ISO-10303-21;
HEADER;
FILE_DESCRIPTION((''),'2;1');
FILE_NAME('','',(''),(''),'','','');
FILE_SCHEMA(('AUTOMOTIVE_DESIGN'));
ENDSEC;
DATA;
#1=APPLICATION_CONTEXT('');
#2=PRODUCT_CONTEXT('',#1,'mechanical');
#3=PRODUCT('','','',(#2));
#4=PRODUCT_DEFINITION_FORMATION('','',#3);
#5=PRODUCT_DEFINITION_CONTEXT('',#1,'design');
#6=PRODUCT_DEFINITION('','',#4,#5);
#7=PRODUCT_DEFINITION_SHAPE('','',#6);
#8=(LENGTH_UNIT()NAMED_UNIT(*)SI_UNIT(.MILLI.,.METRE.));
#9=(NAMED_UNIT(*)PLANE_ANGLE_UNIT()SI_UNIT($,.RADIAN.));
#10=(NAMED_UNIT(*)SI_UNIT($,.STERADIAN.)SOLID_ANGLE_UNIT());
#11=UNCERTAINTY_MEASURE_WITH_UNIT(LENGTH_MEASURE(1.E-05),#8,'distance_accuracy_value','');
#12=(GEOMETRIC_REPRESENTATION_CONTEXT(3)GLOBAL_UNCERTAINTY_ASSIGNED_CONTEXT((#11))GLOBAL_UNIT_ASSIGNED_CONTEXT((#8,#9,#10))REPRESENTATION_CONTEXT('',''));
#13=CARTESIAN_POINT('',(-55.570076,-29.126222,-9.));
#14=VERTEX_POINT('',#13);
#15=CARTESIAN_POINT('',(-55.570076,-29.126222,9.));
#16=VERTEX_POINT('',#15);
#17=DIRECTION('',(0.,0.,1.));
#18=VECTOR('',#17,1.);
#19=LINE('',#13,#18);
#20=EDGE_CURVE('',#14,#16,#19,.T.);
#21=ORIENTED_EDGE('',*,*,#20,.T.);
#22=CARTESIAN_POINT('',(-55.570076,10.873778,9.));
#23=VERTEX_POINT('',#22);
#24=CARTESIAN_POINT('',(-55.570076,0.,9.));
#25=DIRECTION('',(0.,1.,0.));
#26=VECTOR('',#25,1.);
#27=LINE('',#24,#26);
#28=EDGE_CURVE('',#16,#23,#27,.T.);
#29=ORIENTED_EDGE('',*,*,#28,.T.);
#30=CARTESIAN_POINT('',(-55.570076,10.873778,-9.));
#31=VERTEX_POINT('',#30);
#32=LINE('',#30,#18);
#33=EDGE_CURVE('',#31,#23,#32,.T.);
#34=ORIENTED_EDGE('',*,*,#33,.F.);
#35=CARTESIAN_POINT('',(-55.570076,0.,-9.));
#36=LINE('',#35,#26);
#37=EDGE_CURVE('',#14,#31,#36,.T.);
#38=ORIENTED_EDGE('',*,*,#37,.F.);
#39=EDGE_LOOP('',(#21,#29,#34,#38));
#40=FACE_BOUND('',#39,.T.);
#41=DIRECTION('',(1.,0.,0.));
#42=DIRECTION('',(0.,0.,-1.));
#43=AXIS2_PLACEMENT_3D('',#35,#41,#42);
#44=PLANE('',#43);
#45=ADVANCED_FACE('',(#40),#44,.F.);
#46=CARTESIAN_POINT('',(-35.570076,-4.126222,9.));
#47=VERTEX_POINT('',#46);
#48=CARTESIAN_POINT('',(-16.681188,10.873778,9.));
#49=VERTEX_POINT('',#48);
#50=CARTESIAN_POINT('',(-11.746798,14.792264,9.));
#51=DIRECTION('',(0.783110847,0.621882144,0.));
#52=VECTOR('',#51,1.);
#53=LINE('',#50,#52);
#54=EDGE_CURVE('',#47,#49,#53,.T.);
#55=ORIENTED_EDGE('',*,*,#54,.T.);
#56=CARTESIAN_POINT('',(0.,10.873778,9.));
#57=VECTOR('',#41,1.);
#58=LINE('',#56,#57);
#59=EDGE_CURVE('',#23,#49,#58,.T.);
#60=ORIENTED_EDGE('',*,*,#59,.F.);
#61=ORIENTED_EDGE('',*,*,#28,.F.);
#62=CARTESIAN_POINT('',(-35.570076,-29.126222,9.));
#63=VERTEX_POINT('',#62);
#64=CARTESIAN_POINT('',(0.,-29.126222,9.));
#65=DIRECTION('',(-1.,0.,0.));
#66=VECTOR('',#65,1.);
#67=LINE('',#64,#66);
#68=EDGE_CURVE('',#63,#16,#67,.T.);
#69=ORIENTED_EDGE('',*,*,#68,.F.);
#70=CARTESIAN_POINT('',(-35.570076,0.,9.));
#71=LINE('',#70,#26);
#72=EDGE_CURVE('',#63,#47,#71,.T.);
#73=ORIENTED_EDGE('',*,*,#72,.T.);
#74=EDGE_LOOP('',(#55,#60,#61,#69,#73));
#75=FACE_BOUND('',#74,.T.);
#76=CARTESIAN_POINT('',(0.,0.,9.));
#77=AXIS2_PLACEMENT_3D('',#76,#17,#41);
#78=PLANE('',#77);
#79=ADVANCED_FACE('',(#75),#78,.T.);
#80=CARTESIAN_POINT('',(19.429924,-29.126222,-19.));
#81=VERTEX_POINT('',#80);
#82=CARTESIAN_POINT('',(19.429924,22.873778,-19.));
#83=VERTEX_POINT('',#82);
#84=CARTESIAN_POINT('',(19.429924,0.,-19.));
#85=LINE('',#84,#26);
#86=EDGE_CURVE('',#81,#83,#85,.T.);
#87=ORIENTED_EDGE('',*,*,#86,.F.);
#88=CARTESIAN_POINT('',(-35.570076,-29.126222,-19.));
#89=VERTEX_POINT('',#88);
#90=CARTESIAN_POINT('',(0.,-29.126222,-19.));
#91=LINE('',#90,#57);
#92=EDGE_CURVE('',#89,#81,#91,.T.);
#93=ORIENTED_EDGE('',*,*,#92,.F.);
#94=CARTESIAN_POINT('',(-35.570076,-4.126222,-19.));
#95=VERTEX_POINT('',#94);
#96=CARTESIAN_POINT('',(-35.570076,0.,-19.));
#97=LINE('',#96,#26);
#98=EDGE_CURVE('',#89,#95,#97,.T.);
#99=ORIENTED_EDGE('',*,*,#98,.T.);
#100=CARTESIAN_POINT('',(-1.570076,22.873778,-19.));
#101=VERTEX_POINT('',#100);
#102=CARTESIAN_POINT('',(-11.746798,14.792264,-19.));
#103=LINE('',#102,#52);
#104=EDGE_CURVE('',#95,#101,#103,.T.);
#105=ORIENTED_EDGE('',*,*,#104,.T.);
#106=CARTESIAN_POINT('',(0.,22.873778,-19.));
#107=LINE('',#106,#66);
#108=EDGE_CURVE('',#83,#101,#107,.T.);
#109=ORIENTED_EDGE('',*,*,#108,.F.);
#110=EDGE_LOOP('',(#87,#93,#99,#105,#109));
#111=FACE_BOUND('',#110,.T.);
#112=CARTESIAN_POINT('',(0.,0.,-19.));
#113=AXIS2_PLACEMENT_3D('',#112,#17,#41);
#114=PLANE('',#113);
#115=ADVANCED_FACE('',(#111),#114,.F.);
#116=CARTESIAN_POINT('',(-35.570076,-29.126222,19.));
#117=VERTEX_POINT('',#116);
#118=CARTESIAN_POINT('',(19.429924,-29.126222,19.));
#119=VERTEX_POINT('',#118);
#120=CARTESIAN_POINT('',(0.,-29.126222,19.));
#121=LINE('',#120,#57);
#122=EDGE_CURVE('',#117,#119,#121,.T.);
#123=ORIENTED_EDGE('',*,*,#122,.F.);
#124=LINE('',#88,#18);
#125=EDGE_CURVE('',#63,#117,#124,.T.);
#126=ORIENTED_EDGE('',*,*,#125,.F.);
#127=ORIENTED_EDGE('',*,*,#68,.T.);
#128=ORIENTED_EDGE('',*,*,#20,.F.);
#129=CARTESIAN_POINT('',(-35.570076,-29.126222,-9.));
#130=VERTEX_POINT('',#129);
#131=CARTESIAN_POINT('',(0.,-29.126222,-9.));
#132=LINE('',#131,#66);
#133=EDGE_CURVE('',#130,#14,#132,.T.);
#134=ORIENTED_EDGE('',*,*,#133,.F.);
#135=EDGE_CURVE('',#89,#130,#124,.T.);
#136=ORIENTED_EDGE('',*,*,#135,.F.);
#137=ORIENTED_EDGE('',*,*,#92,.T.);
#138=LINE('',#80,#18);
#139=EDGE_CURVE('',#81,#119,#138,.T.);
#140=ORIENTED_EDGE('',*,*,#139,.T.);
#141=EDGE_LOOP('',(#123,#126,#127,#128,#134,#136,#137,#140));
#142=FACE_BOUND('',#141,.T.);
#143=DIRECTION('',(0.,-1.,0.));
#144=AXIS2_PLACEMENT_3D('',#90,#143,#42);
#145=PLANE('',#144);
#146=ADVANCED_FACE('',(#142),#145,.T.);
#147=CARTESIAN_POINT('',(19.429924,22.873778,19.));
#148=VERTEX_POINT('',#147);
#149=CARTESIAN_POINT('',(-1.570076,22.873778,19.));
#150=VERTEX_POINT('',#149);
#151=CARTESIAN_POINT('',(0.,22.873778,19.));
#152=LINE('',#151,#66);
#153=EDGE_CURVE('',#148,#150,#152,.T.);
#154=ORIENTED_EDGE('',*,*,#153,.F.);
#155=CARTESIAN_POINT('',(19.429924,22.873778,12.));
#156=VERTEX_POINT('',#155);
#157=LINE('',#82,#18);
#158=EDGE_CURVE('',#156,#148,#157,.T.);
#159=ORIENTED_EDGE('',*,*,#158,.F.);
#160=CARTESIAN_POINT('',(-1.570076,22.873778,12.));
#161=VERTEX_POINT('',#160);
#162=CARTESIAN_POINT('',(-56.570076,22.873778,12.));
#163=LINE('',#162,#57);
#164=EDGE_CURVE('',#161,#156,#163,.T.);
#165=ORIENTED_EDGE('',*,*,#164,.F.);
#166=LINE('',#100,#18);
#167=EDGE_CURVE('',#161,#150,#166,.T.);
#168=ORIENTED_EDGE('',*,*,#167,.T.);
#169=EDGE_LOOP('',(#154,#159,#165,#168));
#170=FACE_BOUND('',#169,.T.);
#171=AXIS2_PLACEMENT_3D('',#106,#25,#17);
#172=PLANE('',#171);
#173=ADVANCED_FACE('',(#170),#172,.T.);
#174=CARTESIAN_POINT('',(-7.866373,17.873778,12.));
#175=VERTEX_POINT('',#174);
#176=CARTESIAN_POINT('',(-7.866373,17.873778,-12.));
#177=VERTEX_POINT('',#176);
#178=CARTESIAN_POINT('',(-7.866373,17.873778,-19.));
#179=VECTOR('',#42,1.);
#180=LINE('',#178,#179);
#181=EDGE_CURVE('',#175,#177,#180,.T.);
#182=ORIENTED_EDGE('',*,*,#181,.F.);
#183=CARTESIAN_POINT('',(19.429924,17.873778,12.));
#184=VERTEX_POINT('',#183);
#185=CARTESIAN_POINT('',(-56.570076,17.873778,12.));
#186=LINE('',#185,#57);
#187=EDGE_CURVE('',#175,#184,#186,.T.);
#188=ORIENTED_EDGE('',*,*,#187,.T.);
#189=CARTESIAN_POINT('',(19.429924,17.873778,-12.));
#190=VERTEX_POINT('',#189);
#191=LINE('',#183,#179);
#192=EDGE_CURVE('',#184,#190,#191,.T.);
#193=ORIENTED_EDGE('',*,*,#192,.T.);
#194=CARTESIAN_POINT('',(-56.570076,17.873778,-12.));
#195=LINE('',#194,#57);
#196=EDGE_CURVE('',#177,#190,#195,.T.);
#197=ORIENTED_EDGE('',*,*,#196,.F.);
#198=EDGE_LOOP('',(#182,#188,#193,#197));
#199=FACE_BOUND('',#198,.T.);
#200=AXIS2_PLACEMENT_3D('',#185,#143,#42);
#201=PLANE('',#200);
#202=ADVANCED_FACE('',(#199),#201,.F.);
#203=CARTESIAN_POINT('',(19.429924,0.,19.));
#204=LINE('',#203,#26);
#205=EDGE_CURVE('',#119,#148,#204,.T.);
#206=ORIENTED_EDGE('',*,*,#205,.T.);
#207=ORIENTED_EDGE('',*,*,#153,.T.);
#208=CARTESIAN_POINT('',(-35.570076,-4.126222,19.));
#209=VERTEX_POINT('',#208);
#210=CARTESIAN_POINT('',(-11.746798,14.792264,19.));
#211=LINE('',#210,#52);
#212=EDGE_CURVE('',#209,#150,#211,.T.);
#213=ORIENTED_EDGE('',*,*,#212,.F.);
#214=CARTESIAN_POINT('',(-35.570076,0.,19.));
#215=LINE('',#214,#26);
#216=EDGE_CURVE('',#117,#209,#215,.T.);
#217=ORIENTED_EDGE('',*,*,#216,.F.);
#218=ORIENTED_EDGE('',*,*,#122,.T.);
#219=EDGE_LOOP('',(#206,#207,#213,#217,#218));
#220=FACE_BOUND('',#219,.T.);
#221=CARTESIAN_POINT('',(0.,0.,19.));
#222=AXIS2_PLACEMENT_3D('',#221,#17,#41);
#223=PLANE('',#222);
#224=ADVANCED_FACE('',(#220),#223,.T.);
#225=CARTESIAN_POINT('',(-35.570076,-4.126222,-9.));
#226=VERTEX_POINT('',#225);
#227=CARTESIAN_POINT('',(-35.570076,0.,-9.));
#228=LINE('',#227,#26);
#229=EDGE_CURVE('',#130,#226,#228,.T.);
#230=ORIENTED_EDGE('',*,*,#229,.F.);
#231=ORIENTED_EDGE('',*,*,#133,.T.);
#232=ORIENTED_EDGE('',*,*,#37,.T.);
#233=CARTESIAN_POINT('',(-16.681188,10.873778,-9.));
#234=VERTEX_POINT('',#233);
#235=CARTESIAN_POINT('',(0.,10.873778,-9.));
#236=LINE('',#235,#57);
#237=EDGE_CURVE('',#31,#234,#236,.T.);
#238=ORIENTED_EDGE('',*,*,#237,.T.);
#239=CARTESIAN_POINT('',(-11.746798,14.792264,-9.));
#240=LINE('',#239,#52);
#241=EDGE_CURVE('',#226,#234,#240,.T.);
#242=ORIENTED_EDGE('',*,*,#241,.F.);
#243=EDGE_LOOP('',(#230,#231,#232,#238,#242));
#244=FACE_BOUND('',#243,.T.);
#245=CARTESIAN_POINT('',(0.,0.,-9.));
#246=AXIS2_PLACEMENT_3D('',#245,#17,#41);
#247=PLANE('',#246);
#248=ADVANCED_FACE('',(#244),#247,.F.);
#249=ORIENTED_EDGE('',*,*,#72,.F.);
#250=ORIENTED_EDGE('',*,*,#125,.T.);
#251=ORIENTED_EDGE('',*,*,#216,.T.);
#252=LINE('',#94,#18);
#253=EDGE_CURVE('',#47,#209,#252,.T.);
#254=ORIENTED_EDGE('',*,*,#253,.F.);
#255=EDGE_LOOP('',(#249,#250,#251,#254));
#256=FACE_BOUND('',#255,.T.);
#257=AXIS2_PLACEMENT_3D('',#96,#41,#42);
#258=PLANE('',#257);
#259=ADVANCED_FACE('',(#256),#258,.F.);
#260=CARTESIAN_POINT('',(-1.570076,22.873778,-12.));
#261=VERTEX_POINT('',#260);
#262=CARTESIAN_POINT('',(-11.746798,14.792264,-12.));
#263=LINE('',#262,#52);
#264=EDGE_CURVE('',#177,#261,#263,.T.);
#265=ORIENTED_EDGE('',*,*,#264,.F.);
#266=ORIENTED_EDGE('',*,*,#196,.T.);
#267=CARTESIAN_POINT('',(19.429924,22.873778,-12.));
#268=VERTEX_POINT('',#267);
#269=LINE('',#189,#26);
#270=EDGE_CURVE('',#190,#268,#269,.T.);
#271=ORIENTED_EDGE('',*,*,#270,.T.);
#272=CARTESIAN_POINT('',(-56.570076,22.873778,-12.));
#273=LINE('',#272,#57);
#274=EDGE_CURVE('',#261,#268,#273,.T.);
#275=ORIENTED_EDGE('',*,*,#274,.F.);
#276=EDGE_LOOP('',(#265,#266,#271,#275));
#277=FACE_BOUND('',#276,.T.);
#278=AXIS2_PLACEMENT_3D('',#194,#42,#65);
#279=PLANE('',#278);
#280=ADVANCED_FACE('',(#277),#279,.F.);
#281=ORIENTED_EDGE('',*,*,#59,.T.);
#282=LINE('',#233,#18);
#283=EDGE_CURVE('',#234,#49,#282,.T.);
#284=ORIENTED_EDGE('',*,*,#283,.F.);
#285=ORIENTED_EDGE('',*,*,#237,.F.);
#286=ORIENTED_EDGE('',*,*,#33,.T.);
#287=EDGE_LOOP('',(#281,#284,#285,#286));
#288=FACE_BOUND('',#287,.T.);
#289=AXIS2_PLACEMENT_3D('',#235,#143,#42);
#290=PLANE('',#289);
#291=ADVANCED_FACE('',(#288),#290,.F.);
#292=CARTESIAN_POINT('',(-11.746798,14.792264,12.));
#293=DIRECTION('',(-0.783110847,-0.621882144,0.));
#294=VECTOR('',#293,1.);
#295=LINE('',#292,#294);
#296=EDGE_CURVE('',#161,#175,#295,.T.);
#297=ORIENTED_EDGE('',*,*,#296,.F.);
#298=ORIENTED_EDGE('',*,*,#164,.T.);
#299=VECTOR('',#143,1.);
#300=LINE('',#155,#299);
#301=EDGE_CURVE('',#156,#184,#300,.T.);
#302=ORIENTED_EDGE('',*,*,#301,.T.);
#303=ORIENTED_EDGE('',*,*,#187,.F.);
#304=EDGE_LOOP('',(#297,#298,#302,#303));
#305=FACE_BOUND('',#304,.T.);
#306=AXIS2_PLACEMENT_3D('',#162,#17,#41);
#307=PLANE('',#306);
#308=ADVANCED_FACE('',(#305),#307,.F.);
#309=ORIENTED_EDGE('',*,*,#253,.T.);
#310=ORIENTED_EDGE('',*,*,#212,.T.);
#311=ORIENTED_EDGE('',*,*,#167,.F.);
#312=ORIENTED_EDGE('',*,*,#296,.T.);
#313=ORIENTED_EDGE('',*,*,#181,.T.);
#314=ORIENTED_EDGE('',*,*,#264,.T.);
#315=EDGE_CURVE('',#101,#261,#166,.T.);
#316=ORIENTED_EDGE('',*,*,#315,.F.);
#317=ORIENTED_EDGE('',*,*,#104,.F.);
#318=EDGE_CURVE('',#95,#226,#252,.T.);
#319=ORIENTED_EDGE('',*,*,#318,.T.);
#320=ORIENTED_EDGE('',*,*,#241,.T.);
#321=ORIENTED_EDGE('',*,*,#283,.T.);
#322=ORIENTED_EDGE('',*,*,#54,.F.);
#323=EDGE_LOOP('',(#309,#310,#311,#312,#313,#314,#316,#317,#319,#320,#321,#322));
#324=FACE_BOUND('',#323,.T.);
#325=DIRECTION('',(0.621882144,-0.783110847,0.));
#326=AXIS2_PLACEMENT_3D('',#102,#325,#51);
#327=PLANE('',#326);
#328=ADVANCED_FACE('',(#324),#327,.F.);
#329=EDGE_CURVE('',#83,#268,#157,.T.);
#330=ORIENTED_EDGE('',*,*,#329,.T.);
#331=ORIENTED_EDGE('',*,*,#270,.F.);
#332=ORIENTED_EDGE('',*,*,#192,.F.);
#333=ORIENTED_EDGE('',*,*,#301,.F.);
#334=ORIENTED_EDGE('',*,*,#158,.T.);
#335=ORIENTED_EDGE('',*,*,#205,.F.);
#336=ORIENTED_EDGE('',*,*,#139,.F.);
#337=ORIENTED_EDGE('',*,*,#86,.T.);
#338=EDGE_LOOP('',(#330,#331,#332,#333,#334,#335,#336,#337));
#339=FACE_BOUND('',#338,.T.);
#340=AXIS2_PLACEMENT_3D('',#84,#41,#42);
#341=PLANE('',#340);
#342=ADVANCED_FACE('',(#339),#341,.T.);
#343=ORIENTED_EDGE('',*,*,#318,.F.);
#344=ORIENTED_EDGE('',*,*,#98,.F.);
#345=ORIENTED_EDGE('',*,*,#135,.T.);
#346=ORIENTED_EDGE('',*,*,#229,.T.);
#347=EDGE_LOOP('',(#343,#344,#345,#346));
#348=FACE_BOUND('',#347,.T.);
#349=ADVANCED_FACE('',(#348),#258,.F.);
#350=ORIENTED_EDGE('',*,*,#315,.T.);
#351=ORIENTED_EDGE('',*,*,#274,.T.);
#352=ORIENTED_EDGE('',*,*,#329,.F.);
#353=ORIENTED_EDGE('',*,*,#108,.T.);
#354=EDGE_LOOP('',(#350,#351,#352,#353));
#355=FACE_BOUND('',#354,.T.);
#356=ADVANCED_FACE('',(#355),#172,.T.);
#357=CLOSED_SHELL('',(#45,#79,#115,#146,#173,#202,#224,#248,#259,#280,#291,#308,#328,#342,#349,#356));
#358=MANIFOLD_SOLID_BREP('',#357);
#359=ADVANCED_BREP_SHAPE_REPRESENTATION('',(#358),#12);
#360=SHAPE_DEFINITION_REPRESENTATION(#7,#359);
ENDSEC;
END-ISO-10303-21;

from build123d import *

# Parameters (mm, degrees)
BOSS_EXTRUDE1_DEPTH      = 19
BOSS_EXTRUDE1_DEPTH_BACK = 19
BOSS_EXTRUDE2_DEPTH      = 9
BOSS_EXTRUDE2_DEPTH_BACK = 9
SKETCH2_W                = 24
SKETCH2_H                = 5
CUT_EXTRUDE2_DEPTH       = 76


with BuildPart() as part:
    # Sketch1 → Boss-Extrude1 (new, two sides: drawn at the far end of the back side and taken through both)
    with BuildSketch(Plane.XY.offset(-BOSS_EXTRUDE1_DEPTH_BACK)):
        Polygon((-35.570076419, -4.126221996), (-35.570076419, -29.126221996), (19.429923581, -29.126221996), (19.429923581, 22.873778004), (-1.570076419, 22.873778004), (-16.681187531, 10.873778004), align=None)
    extrude(amount=BOSS_EXTRUDE1_DEPTH + BOSS_EXTRUDE1_DEPTH_BACK)

    # Sketch1<3> → Boss-Extrude2 (add, two sides: drawn at the far end of the back side and taken through both)
    with BuildSketch(Plane.XY.offset(-BOSS_EXTRUDE2_DEPTH_BACK)):
        Polygon((-55.570076419, -29.126221996), (-35.570076419, -29.126221996), (-35.570076419, -4.126221996), (-16.681187531, 10.873778004), (-55.570076419, 10.873778004), align=None)
    extrude(amount=BOSS_EXTRUDE2_DEPTH + BOSS_EXTRUDE2_DEPTH_BACK)

    # Sketch2 → Cut-Extrude2 (cut)
    with BuildSketch(Plane(origin=(19.429923581, 0, 0), x_dir=(0, 0, -1), z_dir=(1, 0, 0))):
        with Locations((0, 20.373778004)):
            Rectangle(SKETCH2_W, SKETCH2_H)
    extrude(amount=-CUT_EXTRUDE2_DEPTH, mode=Mode.SUBTRACT)


solid = part.part
